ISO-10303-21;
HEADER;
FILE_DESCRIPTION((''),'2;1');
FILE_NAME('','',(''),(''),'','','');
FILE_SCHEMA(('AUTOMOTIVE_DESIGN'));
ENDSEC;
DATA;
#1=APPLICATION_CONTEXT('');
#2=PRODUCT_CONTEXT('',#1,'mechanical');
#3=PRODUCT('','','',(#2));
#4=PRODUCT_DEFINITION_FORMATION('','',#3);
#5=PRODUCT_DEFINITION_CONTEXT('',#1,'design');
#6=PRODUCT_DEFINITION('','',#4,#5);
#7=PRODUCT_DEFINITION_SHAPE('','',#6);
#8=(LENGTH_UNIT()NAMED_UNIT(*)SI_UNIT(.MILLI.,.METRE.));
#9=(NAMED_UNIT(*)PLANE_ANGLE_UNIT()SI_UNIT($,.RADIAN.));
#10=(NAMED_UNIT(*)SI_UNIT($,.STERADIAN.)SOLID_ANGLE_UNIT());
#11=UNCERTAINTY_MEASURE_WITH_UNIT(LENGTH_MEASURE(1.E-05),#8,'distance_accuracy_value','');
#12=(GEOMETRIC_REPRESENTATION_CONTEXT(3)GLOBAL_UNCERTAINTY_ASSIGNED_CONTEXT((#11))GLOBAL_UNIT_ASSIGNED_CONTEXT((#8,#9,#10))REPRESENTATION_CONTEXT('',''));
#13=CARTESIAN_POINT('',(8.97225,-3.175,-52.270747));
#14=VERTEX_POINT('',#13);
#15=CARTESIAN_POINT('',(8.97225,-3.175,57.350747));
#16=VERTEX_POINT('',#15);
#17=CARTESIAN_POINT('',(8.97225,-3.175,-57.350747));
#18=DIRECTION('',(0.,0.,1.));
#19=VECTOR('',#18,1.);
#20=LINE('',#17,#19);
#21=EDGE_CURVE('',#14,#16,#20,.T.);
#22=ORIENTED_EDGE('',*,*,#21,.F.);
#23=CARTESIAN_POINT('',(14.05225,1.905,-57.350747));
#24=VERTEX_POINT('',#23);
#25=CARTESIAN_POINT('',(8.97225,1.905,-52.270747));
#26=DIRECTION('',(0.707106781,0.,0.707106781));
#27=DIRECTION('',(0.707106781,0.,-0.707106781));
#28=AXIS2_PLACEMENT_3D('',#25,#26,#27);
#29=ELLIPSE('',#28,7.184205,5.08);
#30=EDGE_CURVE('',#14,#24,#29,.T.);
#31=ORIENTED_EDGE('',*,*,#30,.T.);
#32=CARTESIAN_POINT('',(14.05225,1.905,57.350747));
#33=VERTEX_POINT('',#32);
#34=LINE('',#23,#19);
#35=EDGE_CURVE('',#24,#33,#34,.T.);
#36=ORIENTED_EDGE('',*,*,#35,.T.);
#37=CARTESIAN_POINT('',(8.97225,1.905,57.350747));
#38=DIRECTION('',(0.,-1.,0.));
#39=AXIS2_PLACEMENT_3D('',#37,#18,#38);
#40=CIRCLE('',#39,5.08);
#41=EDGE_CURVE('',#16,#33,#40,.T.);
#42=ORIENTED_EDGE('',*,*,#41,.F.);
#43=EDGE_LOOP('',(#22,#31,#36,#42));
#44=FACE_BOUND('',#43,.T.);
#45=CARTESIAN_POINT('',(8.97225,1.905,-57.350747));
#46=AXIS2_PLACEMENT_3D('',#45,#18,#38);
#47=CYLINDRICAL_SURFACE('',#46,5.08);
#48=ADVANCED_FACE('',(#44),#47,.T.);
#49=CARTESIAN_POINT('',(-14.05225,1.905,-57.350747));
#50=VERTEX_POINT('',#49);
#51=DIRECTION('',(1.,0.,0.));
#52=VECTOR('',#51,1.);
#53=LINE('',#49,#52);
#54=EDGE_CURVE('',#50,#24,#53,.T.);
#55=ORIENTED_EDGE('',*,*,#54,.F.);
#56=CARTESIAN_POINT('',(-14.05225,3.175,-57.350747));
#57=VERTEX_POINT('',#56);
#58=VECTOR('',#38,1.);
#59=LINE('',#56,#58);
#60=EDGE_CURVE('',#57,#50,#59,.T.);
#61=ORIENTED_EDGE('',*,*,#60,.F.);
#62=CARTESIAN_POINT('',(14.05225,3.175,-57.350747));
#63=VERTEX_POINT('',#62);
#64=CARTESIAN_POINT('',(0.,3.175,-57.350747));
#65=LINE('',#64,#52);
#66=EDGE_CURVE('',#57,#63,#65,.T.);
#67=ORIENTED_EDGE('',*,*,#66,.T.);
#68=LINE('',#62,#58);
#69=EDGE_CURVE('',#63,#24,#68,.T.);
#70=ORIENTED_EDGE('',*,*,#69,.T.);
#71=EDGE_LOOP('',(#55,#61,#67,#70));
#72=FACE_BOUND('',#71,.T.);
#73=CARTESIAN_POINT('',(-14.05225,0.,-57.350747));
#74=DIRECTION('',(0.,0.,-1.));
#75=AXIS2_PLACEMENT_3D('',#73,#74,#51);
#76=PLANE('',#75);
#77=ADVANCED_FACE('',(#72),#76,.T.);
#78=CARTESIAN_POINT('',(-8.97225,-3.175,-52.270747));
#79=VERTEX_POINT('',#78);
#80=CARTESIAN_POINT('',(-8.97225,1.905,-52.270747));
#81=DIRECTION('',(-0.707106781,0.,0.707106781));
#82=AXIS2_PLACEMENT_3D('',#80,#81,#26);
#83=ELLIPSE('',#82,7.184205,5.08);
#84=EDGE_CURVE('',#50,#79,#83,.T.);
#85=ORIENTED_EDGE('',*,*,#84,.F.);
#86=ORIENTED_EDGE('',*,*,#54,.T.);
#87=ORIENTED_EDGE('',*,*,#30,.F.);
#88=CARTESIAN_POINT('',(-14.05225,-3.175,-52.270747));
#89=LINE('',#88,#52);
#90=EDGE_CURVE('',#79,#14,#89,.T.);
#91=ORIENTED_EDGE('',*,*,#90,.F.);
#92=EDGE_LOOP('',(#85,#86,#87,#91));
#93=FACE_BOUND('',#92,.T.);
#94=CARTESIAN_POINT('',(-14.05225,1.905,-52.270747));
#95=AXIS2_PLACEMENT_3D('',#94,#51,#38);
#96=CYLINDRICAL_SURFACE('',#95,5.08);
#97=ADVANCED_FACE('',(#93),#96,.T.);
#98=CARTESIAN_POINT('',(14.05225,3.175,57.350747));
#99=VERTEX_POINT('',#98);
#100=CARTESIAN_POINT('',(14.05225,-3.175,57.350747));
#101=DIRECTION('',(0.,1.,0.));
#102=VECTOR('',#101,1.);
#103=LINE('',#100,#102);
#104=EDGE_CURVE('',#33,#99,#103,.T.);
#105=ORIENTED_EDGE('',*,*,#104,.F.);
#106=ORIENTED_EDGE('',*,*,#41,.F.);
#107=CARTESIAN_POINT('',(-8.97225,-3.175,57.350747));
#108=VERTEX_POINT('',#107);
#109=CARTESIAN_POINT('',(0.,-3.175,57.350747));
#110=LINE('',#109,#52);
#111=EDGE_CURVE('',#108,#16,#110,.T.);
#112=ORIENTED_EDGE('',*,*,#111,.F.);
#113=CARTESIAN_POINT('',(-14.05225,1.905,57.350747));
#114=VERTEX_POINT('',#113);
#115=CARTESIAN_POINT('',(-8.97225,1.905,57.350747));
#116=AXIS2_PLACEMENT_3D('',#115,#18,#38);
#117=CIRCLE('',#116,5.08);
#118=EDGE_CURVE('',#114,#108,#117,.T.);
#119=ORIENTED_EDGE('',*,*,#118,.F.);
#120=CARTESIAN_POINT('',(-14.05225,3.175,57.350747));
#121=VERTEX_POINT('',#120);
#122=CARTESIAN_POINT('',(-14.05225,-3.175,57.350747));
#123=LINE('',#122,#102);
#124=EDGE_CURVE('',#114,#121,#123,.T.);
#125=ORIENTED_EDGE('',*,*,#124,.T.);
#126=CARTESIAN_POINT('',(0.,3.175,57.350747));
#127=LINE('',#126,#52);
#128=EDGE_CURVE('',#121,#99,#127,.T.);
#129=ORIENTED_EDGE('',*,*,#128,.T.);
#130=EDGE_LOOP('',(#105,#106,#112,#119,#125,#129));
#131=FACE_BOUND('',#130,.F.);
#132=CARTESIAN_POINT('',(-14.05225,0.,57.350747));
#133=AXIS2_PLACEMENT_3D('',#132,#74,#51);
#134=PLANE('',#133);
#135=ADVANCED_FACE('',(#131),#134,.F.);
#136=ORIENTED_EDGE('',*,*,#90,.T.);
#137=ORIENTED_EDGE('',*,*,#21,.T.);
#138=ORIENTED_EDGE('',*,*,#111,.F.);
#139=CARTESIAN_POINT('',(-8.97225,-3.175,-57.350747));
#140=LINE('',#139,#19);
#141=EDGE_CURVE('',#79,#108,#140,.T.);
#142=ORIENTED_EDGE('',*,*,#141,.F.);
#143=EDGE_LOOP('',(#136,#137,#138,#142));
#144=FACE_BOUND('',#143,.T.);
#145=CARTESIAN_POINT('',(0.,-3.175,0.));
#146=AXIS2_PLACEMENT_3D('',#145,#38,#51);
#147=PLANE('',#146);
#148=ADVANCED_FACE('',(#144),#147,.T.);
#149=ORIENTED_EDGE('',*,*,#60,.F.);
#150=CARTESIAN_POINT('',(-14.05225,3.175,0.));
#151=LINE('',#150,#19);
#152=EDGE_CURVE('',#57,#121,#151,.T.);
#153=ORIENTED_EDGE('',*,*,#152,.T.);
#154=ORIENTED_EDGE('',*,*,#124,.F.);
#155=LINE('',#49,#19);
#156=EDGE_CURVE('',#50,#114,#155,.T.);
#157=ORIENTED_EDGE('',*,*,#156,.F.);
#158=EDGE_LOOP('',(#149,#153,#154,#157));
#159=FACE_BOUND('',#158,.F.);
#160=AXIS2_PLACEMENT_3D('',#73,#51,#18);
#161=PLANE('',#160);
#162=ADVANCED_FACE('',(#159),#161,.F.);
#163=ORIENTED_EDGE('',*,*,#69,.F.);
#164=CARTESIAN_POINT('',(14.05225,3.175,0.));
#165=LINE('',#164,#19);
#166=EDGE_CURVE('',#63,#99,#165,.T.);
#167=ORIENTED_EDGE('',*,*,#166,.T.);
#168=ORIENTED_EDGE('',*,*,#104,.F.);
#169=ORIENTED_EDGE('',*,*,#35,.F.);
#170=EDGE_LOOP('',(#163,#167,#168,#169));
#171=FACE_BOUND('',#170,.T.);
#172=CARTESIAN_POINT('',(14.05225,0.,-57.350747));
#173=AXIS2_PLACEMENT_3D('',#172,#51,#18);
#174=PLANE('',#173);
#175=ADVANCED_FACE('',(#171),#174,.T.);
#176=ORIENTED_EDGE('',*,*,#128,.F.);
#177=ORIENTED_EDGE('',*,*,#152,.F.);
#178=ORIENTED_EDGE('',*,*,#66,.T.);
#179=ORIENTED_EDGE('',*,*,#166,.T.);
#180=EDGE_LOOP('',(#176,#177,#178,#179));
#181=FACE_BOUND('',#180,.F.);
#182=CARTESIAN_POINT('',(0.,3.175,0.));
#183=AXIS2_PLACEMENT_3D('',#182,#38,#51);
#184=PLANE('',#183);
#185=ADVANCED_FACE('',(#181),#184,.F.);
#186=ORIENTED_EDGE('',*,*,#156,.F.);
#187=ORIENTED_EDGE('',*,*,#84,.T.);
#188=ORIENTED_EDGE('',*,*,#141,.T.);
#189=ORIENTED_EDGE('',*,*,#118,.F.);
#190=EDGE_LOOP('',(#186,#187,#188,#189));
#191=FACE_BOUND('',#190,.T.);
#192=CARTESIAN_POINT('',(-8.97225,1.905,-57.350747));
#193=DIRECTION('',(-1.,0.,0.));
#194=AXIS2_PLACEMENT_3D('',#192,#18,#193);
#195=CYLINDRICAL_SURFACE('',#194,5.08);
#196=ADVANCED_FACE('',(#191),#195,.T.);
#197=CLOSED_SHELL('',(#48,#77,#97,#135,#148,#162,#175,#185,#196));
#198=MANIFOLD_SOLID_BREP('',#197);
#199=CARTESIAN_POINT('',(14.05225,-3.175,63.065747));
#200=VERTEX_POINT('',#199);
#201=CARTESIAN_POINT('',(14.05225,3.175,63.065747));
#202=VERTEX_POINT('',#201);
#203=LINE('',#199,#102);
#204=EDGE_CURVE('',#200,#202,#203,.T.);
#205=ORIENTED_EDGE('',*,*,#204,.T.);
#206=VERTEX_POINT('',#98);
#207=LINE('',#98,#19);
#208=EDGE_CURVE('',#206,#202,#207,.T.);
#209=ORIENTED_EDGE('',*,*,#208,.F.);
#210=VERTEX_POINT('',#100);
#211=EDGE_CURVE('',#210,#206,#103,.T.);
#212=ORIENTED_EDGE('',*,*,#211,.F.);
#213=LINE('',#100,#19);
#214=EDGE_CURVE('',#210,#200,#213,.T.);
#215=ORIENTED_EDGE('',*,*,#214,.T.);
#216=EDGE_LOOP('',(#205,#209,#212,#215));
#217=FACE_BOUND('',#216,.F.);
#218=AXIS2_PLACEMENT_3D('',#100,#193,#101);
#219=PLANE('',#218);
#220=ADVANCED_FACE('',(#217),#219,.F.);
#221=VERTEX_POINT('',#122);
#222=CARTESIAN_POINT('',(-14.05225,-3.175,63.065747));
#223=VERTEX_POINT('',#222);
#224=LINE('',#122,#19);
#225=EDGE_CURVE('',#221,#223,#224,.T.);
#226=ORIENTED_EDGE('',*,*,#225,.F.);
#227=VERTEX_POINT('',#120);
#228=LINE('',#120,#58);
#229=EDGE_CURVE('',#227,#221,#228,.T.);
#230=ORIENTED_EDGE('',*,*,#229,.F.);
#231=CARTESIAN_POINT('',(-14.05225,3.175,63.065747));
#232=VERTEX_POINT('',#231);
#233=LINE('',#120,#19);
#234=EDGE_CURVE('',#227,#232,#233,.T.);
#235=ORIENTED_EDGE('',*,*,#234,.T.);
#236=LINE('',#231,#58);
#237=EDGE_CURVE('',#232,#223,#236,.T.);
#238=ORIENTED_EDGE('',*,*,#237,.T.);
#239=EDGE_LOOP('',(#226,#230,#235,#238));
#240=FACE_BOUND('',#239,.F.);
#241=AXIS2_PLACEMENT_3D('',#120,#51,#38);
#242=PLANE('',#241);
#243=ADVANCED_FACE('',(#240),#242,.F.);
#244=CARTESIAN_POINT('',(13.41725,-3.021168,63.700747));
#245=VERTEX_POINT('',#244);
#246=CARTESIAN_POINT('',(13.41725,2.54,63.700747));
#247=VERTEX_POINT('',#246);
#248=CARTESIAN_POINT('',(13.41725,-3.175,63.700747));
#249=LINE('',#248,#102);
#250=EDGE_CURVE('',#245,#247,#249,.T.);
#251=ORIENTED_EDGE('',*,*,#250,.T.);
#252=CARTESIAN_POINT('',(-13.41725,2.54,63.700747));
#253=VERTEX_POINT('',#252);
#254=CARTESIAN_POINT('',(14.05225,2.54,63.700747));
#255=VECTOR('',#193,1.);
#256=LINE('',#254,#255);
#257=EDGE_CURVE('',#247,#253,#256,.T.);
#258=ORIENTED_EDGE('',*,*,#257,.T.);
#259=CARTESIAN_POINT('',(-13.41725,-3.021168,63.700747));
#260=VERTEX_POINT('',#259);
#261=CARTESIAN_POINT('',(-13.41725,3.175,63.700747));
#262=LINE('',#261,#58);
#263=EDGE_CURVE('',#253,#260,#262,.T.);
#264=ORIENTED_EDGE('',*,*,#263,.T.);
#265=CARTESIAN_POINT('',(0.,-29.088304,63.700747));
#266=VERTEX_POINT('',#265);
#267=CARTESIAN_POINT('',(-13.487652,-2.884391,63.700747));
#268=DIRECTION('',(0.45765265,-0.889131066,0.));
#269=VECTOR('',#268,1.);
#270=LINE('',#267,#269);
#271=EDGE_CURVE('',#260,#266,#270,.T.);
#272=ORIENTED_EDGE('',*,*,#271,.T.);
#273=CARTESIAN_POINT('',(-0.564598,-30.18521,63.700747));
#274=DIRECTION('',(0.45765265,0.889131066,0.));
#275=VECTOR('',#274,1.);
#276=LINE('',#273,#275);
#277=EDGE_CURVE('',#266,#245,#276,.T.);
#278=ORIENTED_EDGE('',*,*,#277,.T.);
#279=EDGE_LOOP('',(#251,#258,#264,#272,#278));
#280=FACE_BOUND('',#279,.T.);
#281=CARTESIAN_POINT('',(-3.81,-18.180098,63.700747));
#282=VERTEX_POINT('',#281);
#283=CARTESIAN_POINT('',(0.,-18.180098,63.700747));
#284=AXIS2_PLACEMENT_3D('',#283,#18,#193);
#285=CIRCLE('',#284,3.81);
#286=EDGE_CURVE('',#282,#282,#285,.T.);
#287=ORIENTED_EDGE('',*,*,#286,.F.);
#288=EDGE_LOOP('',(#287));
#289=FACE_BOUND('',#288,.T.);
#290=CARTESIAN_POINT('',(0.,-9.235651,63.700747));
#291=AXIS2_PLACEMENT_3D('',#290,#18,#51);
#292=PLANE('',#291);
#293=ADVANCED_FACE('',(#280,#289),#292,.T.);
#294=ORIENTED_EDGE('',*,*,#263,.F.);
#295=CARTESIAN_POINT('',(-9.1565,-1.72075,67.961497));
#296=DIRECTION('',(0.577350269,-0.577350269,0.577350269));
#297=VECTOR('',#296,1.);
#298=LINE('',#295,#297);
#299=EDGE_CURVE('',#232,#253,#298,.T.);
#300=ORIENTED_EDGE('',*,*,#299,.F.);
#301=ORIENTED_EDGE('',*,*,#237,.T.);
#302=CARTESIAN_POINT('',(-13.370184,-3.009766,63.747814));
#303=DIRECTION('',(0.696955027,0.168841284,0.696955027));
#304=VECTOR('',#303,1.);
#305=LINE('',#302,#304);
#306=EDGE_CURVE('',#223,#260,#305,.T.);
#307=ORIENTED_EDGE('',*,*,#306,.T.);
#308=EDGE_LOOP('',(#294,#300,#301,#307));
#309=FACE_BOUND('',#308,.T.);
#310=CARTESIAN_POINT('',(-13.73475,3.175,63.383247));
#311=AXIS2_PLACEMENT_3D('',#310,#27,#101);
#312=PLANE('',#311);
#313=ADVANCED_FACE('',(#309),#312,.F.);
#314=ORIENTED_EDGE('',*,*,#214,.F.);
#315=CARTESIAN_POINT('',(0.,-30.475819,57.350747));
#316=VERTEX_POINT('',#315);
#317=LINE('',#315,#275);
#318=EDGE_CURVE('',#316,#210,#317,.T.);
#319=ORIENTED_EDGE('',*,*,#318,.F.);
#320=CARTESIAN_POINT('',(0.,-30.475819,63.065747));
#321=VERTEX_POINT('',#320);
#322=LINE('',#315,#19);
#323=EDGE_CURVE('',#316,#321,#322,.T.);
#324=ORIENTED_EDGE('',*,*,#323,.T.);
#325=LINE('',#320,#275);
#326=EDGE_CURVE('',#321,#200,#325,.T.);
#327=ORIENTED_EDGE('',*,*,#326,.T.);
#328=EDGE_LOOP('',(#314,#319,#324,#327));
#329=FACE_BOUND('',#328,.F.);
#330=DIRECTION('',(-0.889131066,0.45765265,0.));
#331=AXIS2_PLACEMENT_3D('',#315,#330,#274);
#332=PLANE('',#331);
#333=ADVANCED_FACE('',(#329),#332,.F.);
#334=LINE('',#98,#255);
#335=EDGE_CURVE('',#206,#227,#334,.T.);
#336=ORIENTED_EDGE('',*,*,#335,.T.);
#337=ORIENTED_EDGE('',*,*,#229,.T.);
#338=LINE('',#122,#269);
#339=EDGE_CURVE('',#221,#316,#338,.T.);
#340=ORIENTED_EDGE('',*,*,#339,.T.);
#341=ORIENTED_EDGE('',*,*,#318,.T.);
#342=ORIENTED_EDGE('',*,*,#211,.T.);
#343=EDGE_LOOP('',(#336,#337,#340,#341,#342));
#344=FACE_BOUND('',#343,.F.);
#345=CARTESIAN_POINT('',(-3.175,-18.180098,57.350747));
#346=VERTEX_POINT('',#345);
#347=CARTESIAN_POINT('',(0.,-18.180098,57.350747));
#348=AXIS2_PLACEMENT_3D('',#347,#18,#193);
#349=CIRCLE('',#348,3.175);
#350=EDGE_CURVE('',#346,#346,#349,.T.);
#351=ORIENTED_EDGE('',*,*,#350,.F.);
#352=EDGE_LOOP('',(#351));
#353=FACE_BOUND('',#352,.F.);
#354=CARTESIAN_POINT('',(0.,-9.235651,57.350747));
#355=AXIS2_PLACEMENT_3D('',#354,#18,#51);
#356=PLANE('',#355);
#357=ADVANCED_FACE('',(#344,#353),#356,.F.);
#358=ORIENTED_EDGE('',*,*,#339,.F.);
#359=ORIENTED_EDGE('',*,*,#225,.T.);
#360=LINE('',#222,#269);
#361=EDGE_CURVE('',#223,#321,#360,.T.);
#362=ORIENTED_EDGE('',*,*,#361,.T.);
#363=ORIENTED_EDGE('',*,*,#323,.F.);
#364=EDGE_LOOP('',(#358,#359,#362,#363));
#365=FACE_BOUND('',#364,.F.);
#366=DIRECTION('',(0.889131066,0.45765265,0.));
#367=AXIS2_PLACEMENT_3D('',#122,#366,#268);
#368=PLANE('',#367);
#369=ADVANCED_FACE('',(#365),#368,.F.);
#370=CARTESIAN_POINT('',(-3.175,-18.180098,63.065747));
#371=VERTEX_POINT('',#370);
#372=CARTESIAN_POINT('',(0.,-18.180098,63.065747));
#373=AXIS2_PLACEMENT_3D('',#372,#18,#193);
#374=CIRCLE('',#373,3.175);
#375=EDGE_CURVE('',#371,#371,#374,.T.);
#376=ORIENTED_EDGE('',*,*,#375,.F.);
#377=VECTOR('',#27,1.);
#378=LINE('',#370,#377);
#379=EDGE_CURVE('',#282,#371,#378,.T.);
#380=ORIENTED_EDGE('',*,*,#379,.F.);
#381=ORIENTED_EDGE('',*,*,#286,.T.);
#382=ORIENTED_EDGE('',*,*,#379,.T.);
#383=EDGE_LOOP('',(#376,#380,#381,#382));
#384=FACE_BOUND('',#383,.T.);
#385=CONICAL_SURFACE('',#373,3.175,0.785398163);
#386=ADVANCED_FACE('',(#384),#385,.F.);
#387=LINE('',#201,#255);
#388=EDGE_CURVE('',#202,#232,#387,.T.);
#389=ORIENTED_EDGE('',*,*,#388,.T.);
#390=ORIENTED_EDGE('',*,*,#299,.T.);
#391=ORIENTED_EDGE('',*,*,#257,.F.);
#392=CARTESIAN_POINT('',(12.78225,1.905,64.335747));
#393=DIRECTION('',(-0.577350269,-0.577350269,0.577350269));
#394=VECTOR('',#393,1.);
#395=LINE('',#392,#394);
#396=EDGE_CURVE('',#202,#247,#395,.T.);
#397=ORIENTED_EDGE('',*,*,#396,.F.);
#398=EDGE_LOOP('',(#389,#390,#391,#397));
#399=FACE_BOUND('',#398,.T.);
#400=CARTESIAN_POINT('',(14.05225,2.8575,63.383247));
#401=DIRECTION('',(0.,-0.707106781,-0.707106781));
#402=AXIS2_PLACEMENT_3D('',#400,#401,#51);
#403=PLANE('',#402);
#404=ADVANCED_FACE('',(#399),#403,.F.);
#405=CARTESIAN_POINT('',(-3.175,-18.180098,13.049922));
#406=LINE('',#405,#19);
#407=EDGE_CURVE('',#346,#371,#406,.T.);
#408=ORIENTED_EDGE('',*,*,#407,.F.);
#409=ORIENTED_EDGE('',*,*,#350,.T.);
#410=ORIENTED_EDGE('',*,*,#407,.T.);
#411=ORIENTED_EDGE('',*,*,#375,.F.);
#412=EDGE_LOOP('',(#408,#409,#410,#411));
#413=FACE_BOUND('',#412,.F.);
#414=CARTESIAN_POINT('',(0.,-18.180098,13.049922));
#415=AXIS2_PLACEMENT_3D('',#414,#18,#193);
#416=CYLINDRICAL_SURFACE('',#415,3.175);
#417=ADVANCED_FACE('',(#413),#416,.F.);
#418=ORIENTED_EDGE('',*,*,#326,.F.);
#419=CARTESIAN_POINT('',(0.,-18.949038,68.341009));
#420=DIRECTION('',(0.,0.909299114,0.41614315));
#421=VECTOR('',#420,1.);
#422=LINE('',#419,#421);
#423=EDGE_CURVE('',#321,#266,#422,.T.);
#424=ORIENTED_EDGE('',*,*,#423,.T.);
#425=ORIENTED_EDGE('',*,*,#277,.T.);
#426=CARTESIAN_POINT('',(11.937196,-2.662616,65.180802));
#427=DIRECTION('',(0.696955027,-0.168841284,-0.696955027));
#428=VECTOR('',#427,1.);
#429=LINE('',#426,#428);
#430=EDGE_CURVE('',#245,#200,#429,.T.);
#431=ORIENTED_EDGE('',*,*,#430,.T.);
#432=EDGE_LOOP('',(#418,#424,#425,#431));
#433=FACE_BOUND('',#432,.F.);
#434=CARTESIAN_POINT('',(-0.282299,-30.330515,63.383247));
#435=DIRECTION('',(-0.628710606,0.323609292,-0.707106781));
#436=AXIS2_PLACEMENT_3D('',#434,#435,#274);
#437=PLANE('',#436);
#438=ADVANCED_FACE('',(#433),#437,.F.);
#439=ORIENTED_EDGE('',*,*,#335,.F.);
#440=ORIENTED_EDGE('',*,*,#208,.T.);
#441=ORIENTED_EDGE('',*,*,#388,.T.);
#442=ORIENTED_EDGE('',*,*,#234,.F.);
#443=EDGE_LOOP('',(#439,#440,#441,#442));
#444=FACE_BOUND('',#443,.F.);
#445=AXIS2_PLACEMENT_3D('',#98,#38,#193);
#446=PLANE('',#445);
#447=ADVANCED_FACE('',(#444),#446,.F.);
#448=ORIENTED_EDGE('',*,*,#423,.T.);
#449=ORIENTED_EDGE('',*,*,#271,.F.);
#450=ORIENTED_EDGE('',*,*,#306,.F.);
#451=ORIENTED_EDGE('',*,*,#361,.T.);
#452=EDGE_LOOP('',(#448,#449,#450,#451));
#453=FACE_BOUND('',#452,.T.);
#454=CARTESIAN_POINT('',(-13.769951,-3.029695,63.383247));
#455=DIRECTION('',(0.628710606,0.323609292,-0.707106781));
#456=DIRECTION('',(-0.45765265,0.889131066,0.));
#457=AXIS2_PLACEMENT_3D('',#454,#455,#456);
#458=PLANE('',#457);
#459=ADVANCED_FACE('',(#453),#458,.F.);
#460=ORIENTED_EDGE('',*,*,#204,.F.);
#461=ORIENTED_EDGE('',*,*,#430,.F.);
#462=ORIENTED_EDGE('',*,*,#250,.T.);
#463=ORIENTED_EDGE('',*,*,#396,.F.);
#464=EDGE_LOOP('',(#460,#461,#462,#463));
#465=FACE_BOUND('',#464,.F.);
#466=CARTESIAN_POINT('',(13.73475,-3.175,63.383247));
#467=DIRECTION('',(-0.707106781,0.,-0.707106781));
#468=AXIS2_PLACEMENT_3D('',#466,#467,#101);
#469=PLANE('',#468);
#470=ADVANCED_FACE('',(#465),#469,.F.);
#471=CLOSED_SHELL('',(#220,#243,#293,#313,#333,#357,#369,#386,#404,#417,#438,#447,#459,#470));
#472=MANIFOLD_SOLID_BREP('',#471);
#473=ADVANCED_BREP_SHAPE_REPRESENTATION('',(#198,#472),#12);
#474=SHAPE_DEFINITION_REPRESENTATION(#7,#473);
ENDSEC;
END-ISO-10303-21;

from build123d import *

# Parameters (mm, degrees)
F0_W     = 28.1045008451
F0_H     = 114.7014945745
F1_DEPTH = 3.175
F3_DEPTH = 6.35
F4_D     = 6.35
F5_SIZE  = 0.635
F6_R     = 5.08


with BuildPart() as f1:
    # F0 (on Front) → F1 (new body, symmetric)
    with BuildSketch(Plane.XZ):
        Rectangle(F0_W, F0_H)
    extrude(amount=F1_DEPTH, both=True)

    # F6
    f6_edges = [f1.edges().sort_by_distance(p)[0] for p in [
        (-14.05225, -3.175, 0),
        (0, -3.175, -57.350747),
        (14.05225, -3.175, 0),
    ]]
    fillet(f6_edges, radius=F6_R)


with BuildPart() as f3:
    # F2 (on face) → F3 (new body)
    with BuildSketch(Plane.XY.offset(57.3507472873)):
        Polygon((-14.0522504225, 3.175), (-14.0522504225, -3.175), (0, -30.4758194834), (14.0522504225, -3.175), (14.0522504225, 3.175), align=None)
    extrude(amount=F3_DEPTH)

    # F4 (through all)
    with Locations(Plane(origin=(0, 0, 57.3507472873), x_dir=(1, 0, 0), z_dir=(0, 0, -1))):
        with Locations((0, 18.1800983846)):
            Hole(F4_D / 2)

    # F5
    f5_edges = [f3.edges().sort_by_distance(p)[0] for p in [
        (-14.05225, 0, 63.700747),
        (0, 3.175, 63.700747),
        (-7.026125, -16.82541, 63.700747),
        (14.05225, 0, 63.700747),
        (7.026125, -16.82541, 63.700747),
        (-3.175, -18.180098, 63.700747),
    ]]
    chamfer(f5_edges, length=F5_SIZE)


solid = Compound([f1.part, f3.part])
